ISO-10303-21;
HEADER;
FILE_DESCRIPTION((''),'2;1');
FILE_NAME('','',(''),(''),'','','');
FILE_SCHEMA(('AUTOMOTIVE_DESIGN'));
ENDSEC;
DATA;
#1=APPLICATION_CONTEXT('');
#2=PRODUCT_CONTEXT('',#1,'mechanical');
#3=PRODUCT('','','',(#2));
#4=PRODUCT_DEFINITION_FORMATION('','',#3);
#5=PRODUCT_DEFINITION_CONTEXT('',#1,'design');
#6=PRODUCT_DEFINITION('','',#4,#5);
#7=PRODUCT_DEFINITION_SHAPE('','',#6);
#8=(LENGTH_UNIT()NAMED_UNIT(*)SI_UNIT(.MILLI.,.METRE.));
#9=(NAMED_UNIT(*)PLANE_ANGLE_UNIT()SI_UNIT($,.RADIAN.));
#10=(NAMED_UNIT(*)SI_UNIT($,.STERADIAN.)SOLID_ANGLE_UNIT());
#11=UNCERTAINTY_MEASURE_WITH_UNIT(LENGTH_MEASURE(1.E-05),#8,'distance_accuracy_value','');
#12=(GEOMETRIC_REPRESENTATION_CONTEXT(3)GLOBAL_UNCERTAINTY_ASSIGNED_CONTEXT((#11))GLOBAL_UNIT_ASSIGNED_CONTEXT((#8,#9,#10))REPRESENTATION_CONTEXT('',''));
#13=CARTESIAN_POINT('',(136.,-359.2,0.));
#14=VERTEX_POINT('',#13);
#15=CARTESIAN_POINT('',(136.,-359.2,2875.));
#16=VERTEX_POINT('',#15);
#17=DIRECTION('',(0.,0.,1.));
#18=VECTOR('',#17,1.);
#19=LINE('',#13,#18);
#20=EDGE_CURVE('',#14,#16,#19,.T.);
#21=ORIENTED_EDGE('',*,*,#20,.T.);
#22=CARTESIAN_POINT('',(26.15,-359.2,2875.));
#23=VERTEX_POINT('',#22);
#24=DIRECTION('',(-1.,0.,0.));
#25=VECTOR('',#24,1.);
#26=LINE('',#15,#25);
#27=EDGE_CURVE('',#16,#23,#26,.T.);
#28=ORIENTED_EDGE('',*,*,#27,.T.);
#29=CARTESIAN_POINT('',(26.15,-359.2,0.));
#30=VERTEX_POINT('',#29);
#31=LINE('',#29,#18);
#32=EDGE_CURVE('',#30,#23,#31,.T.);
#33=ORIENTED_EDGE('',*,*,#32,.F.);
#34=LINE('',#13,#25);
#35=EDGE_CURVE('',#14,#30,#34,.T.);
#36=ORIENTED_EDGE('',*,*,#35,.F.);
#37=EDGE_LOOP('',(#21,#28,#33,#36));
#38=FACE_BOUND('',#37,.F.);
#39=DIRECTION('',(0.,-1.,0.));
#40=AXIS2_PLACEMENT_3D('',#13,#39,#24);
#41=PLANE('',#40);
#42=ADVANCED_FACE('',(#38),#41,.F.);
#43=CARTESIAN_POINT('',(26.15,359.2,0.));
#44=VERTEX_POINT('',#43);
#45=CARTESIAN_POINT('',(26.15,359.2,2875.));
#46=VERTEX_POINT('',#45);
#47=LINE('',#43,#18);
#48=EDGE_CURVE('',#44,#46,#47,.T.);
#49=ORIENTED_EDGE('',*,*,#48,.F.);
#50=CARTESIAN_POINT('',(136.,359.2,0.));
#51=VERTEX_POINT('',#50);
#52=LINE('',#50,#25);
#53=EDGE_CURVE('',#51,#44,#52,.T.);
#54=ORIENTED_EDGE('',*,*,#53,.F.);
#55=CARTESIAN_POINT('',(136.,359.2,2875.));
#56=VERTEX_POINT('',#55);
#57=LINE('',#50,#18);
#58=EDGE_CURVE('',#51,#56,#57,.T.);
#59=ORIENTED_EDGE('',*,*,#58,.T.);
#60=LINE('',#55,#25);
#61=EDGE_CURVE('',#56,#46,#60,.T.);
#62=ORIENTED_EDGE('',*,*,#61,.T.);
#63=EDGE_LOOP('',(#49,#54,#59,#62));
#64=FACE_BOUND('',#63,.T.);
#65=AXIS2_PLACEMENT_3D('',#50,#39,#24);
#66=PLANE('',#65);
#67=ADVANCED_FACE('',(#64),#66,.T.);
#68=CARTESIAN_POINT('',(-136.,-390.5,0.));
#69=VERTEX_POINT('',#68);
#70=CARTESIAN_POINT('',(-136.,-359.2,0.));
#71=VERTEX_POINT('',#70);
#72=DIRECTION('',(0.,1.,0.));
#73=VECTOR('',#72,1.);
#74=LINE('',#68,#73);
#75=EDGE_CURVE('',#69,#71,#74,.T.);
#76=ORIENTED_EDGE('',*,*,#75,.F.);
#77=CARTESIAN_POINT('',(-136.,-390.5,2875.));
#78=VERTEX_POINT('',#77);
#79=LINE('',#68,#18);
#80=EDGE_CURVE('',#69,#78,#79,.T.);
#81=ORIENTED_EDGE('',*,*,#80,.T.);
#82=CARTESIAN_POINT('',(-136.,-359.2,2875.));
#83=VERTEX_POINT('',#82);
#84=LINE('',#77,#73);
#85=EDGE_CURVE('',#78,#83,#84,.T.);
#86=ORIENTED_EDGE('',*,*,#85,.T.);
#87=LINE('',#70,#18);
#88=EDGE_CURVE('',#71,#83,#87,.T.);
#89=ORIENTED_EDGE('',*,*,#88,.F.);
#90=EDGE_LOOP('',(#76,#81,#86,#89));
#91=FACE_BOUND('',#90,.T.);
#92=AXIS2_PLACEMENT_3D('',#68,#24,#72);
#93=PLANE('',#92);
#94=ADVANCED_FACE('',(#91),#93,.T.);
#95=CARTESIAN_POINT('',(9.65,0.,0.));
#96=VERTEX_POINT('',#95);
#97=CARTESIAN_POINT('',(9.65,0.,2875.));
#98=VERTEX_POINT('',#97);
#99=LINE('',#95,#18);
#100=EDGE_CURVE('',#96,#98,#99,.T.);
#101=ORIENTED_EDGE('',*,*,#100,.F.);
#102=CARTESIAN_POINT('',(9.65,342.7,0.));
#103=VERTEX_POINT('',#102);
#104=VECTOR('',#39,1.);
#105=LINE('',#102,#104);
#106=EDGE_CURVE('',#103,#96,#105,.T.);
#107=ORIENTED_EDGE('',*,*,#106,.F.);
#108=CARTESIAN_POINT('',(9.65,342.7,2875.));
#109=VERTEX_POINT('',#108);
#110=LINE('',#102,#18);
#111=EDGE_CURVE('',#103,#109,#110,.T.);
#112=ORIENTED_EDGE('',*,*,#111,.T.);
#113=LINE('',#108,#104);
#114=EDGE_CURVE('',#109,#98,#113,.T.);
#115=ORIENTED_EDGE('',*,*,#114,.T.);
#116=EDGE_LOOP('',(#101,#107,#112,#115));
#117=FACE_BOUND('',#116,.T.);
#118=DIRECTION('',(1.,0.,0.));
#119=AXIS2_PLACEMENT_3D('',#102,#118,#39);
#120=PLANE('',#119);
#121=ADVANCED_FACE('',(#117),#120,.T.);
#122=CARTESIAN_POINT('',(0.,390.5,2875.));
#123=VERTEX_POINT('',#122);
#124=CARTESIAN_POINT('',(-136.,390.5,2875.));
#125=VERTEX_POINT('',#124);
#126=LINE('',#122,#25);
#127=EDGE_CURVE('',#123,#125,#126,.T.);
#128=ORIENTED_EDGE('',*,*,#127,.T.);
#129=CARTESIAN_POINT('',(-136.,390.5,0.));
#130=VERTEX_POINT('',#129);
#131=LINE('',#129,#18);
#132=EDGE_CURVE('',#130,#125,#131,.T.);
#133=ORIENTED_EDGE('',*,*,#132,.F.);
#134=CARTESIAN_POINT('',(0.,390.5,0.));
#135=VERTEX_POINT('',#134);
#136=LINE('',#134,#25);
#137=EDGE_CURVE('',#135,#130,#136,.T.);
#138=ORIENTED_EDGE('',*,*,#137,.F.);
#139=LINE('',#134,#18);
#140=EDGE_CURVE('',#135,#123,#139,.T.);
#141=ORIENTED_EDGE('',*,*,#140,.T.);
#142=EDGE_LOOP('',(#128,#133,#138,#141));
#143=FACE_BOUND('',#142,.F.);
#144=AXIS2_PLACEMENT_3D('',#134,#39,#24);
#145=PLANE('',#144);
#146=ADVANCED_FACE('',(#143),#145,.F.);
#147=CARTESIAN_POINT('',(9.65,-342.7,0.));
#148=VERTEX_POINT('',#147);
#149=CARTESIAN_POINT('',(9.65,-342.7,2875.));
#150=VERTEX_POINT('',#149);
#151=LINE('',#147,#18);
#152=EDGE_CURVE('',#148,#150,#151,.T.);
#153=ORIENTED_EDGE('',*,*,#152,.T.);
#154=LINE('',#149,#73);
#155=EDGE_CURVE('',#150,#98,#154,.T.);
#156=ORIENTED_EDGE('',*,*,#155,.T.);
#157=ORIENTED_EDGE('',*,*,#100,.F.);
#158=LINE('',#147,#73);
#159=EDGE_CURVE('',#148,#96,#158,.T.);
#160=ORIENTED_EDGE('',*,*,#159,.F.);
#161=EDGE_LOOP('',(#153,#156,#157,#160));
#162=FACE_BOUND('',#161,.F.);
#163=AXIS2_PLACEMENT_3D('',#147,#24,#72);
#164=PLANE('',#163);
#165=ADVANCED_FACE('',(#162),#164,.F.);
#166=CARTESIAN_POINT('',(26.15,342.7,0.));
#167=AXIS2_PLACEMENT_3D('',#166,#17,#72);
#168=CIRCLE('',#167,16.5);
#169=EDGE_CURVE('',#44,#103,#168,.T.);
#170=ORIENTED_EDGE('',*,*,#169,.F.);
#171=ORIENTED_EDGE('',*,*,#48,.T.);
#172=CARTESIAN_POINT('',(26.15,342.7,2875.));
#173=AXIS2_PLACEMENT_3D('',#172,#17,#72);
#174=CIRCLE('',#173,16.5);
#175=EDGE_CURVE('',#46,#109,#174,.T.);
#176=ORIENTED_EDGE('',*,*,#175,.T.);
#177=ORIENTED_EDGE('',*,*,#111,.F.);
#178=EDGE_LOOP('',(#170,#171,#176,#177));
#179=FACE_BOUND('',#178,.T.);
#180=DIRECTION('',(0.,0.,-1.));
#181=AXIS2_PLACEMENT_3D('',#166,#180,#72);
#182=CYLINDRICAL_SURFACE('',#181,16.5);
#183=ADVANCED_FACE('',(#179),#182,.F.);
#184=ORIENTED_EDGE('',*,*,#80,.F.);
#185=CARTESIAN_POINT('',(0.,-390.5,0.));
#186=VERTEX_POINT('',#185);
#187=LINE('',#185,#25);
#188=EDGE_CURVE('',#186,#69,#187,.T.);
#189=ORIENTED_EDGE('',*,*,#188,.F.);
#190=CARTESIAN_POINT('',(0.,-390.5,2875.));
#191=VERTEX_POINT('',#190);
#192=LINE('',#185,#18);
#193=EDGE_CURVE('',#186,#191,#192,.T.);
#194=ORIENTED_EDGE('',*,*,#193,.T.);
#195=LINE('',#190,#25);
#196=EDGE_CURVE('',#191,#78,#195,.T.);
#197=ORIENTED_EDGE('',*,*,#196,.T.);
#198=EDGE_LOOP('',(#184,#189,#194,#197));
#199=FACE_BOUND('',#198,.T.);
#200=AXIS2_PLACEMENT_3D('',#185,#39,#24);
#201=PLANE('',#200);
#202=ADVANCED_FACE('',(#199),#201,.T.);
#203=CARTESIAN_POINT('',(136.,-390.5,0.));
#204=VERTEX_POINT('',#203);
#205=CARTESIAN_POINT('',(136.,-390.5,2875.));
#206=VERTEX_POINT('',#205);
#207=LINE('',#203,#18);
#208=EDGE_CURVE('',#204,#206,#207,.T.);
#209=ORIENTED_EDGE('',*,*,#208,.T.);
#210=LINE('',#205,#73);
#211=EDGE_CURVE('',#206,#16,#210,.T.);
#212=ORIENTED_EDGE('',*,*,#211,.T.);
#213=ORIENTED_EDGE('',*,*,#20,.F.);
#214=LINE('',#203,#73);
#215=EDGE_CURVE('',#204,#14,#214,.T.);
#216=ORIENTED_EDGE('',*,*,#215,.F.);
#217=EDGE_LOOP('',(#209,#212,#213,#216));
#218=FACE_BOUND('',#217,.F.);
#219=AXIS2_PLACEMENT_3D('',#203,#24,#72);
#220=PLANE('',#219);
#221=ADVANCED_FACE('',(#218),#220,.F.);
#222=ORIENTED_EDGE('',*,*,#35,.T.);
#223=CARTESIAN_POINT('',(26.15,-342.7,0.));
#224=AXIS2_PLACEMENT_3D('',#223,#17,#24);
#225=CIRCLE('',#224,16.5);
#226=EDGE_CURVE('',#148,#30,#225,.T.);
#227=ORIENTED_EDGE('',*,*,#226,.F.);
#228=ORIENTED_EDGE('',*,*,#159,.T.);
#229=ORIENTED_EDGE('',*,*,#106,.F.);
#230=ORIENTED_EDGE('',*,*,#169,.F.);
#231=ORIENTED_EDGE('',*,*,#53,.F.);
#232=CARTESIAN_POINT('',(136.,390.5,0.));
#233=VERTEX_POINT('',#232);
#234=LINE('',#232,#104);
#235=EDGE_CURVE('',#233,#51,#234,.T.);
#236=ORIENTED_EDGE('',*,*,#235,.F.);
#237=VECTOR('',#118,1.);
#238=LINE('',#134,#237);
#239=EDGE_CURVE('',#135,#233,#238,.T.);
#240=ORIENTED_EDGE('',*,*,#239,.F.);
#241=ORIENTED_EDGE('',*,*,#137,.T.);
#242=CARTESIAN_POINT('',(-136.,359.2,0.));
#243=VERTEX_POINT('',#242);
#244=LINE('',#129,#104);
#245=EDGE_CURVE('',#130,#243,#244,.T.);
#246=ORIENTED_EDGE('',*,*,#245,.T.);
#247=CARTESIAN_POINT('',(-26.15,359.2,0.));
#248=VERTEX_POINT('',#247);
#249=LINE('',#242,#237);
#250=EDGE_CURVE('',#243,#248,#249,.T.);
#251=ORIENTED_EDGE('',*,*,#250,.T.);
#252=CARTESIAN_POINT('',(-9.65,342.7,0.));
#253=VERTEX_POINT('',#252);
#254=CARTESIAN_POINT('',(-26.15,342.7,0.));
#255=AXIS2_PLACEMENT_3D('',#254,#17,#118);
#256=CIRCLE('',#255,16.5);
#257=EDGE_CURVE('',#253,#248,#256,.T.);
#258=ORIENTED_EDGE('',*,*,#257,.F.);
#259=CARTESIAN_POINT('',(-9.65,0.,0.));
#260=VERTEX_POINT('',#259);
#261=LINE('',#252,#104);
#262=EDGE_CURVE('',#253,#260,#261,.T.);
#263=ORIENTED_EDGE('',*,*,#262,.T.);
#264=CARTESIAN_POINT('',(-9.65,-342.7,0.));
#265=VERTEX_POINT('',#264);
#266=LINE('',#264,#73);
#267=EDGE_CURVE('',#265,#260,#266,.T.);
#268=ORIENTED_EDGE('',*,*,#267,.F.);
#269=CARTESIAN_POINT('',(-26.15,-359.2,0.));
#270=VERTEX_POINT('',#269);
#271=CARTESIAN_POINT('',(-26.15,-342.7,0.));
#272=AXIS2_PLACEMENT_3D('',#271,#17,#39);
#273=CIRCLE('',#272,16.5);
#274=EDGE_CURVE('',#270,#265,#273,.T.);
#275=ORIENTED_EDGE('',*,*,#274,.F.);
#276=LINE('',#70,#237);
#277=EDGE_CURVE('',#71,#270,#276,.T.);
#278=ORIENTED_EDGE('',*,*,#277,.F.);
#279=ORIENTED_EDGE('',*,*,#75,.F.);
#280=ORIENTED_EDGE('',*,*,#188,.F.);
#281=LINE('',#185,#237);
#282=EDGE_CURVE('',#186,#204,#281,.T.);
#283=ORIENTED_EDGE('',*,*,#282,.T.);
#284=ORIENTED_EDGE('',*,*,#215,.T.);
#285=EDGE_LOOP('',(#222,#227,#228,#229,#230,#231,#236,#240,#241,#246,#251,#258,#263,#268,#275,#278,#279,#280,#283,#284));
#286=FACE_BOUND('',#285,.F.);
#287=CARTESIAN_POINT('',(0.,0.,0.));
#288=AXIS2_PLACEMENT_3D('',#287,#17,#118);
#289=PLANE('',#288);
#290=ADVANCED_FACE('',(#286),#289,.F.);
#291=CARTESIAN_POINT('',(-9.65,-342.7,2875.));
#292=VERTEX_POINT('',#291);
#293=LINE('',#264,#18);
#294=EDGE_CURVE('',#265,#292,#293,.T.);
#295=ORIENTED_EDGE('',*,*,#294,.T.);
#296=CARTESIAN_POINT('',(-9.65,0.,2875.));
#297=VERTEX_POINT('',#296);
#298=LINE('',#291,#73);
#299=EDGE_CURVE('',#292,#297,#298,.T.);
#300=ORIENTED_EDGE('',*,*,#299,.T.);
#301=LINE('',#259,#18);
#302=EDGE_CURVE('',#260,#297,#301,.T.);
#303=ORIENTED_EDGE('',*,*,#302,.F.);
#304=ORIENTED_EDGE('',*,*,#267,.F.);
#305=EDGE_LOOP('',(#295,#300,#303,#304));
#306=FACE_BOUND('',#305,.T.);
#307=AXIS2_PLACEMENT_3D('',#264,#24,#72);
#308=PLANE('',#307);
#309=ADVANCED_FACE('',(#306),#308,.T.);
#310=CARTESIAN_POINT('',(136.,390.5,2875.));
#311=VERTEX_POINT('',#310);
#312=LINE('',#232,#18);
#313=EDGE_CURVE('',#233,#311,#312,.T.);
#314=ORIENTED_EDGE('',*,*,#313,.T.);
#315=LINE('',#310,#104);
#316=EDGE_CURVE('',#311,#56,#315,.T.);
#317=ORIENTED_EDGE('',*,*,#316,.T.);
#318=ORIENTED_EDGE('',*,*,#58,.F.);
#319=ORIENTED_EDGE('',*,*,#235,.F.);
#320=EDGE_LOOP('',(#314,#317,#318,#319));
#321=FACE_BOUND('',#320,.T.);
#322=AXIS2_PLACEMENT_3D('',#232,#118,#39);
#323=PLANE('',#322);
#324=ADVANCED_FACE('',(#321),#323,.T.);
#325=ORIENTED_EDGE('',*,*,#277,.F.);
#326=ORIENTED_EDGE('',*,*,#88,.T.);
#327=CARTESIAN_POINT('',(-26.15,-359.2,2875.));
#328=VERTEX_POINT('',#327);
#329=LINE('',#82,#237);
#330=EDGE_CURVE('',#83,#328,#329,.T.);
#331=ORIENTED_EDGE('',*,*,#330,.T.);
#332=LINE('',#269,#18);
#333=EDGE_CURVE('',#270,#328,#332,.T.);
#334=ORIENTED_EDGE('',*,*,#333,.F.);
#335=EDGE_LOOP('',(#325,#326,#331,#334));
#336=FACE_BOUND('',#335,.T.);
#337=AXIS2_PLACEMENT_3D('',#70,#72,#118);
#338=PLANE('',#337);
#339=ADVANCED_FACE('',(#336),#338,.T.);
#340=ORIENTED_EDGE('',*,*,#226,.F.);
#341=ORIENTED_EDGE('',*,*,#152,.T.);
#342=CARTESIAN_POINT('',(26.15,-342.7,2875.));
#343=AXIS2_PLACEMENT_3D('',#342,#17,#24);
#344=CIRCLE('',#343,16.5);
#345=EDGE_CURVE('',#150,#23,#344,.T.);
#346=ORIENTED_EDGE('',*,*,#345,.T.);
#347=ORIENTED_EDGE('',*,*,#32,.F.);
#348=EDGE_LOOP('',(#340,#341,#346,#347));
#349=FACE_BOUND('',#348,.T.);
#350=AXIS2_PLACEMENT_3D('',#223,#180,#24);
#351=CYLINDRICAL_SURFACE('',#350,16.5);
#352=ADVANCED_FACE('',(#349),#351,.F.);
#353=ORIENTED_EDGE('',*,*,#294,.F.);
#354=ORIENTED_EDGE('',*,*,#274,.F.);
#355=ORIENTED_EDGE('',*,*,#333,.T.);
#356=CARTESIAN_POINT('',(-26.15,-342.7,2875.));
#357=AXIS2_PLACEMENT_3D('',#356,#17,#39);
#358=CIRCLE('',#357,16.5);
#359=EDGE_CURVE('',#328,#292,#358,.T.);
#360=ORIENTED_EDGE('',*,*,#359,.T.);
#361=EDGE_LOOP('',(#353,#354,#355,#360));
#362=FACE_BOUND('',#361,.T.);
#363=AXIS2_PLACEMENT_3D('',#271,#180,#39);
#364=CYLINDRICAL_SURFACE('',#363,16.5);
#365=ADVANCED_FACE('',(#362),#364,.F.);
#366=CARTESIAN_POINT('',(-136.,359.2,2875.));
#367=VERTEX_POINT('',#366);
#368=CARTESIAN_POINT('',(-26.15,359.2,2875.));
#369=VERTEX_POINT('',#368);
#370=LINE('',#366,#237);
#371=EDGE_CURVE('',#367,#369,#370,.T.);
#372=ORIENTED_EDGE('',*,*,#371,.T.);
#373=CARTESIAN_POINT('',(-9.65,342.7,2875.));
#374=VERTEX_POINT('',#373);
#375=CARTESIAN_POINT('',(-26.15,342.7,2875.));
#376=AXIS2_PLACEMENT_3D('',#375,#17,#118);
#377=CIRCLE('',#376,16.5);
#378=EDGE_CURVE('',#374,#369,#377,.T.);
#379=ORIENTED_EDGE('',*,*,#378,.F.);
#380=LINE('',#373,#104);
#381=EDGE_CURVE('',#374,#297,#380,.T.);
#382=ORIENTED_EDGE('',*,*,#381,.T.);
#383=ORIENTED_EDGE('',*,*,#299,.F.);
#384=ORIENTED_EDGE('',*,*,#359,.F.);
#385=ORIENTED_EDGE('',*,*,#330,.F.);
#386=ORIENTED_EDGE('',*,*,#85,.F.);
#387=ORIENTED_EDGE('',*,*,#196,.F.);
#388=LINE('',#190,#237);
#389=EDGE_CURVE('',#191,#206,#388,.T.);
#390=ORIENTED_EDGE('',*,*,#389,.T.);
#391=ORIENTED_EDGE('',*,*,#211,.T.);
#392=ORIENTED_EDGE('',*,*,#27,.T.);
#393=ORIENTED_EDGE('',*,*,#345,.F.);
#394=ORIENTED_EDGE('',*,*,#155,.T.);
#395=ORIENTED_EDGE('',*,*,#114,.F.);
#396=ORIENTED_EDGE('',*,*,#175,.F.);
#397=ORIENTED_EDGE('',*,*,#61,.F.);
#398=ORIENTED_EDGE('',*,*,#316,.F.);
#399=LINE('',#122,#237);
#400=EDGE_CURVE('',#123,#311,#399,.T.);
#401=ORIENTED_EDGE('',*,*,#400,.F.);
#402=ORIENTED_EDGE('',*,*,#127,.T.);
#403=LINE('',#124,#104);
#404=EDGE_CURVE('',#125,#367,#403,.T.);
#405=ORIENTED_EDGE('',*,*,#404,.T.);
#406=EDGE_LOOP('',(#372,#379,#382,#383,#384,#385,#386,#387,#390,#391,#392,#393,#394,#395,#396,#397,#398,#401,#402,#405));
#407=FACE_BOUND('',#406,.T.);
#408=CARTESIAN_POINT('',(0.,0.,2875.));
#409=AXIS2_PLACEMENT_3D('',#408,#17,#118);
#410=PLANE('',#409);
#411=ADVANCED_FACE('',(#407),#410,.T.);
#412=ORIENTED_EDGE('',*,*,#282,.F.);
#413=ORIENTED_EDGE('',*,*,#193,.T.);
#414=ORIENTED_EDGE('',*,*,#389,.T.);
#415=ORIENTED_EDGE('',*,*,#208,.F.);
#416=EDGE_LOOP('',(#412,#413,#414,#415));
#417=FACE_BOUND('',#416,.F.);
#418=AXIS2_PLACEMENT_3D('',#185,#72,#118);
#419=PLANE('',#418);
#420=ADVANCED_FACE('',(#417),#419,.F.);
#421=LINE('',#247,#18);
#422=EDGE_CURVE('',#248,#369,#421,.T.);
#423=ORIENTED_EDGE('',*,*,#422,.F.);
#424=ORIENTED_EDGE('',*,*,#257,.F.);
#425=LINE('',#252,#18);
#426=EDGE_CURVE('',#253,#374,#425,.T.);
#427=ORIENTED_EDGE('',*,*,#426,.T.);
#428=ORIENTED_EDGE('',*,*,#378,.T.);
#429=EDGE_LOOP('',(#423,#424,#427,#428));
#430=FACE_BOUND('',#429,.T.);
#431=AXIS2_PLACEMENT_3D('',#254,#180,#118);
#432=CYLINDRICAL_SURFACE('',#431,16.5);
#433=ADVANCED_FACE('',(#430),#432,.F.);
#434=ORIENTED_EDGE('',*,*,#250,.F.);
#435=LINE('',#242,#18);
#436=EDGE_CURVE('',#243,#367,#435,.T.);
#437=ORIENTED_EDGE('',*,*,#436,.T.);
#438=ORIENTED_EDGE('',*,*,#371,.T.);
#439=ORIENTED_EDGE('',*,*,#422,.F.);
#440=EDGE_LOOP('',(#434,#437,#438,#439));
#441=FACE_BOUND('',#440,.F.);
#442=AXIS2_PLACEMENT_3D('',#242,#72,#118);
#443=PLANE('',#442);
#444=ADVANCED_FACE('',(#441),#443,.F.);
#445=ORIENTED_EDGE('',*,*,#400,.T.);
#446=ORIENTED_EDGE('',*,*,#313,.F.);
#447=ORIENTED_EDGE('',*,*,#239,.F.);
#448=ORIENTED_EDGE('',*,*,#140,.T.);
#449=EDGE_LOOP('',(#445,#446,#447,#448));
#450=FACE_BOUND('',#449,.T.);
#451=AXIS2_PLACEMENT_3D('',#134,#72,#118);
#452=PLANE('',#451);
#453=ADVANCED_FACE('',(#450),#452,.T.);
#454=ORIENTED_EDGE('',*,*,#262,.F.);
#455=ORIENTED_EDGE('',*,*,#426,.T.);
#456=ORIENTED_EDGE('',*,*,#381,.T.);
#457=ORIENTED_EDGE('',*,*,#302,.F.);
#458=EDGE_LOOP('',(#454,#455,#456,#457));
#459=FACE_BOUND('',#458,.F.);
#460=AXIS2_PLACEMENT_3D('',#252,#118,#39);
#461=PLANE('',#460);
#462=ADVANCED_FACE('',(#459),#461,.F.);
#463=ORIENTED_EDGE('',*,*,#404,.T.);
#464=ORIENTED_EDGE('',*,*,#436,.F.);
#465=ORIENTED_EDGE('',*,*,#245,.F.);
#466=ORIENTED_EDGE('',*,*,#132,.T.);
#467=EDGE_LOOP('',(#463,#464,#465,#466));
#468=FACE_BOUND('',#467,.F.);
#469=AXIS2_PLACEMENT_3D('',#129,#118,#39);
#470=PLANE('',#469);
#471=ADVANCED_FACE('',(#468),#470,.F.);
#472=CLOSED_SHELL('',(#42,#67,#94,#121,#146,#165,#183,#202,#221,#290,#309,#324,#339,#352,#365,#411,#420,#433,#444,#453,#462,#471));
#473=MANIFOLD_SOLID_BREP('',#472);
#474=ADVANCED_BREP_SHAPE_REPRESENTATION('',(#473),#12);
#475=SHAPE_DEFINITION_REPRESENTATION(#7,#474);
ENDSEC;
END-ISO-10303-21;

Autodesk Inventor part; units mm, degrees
ref_plane "YZ Plane" through (0, 0, 0) normal (1, 0, 0) x (0, 1, 0)
ref_plane "Start plane" through (0, 0, 0) normal (0, 0, 1) x (1, 0, 0)
ref_plane "End plane" through (0, 0, 2875) normal (0, 0, 1) x (1, 0, 0)
sketch "Sketch" plane through (0, 0, 0) normal (0, 0, 1) x (1, 0, 0)
  line L0 (-136, -390.5) -> (-136, -359.2)
  line L1 (-136, -359.2) -> (-26.15, -359.2)
  line L2 (-9.65, -342.7) -> (-9.65, 0)
  line L3 (-9.65, 0) -> (0, 0) construction
  line L4 (0, 0) -> (0, -390.5) construction
  line L5 (0, -390.5) -> (-136, -390.5)
  line L6 (-60, 0) -> (80, 0) construction
  line L7 (0, -60) -> (0, 80) construction
  line L8 (136, -390.5) -> (136, -359.2)
  line L9 (136, -359.2) -> (26.15, -359.2)
  line L10 (9.65, -342.7) -> (9.65, 0)
  line L11 (9.65, 0) -> (0, 0) construction
  line L12 (0, -390.5) -> (136, -390.5)
  line L13 (-136, 390.5) -> (-136, 359.2)
  line L14 (-136, 359.2) -> (-26.15, 359.2)
  line L15 (-9.65, 342.7) -> (-9.65, 0)
  line L16 (0, 390.5) -> (-136, 390.5)
  line L17 (136, 390.5) -> (136, 359.2)
  line L18 (136, 359.2) -> (26.15, 359.2)
  line L19 (0, 390.5) -> (136, 390.5)
  line L20 (9.65, 342.7) -> (9.65, 0)
  arc A0 (-9.65, 342.7) -> (-26.15, 359.2) centre (-26.15, 342.7) ccw
  arc A1 (26.15, 359.2) -> (9.65, 342.7) centre (26.15, 342.7) ccw
  arc A2 (9.65, -342.7) -> (26.15, -359.2) centre (26.15, -342.7) ccw
  arc A3 (-26.15, -359.2) -> (-9.65, -342.7) centre (-26.15, -342.7) ccw
  line L21 (0, 108) -> (0, -88) construction
  line L22 (-88, 0) -> (108, 0) construction
  point P0 (-9.65, -359.2)
  point P1 (9.65, -359.2)
  point P2 (-9.65, 359.2)
  point P3 (9.65, 359.2)
  dimension "d1" = 390.5
  dimension "d2" = 31.3
  dimension "d3" = 136
  dimension "d4" = 9.65
  dimension "d10" = 16.5
extrude "Body" add sketch "Sketch" along normal up to surface (2875 mm away) from surface at 0
sketch "Sketch4" plane through (0, 0, 0) normal (0, 0, 1) x (1, 0, 0)
  line L0 (0, 0) -> (10, 0)
ref_plane "Work Plane3" through (0, 0, 0) normal (0, -1, 0) x (1, 0, 0)
sketch "Sketch5" plane through (0, 0, 0) normal (0, -1, 0) x (1, 0, 0)
  line L0 (-2, 0) -> (12, 0) projected
  line L1 (-2, 2875) -> (12, 2875) projected
  dimension "d14" = 2875
equation "\"d1\" = 0.5 * G_H"
equation "\"d2\" = G_T1"
equation "\"d3\" = 0.5 * G_W"
equation "\"d4\" = 0.5 * G_T"
equation "\"d10\" = G_IR"
equation "\"d5\" = G_L"
equation "\"G_W\" = 272"
equation "\"G_H\" = 781"
equation "\"G_T\" = 19.3"
equation "\"G_T1\" = 31.3"
equation "\"G_IR\" = 16.5"
equation "\"G_L\" = d14"
equation "\"G_OFFSET_START\" = 0"
equation "\"G_OFFSET_END\" = 0"
equation "\"d12\" = G_OFFSET_END + B_L"
equation "\"B_L\" = 2875"
properties part number "AS 3679-1990 - 760 UB - 244 - 2875" material "Steel, Mild"
